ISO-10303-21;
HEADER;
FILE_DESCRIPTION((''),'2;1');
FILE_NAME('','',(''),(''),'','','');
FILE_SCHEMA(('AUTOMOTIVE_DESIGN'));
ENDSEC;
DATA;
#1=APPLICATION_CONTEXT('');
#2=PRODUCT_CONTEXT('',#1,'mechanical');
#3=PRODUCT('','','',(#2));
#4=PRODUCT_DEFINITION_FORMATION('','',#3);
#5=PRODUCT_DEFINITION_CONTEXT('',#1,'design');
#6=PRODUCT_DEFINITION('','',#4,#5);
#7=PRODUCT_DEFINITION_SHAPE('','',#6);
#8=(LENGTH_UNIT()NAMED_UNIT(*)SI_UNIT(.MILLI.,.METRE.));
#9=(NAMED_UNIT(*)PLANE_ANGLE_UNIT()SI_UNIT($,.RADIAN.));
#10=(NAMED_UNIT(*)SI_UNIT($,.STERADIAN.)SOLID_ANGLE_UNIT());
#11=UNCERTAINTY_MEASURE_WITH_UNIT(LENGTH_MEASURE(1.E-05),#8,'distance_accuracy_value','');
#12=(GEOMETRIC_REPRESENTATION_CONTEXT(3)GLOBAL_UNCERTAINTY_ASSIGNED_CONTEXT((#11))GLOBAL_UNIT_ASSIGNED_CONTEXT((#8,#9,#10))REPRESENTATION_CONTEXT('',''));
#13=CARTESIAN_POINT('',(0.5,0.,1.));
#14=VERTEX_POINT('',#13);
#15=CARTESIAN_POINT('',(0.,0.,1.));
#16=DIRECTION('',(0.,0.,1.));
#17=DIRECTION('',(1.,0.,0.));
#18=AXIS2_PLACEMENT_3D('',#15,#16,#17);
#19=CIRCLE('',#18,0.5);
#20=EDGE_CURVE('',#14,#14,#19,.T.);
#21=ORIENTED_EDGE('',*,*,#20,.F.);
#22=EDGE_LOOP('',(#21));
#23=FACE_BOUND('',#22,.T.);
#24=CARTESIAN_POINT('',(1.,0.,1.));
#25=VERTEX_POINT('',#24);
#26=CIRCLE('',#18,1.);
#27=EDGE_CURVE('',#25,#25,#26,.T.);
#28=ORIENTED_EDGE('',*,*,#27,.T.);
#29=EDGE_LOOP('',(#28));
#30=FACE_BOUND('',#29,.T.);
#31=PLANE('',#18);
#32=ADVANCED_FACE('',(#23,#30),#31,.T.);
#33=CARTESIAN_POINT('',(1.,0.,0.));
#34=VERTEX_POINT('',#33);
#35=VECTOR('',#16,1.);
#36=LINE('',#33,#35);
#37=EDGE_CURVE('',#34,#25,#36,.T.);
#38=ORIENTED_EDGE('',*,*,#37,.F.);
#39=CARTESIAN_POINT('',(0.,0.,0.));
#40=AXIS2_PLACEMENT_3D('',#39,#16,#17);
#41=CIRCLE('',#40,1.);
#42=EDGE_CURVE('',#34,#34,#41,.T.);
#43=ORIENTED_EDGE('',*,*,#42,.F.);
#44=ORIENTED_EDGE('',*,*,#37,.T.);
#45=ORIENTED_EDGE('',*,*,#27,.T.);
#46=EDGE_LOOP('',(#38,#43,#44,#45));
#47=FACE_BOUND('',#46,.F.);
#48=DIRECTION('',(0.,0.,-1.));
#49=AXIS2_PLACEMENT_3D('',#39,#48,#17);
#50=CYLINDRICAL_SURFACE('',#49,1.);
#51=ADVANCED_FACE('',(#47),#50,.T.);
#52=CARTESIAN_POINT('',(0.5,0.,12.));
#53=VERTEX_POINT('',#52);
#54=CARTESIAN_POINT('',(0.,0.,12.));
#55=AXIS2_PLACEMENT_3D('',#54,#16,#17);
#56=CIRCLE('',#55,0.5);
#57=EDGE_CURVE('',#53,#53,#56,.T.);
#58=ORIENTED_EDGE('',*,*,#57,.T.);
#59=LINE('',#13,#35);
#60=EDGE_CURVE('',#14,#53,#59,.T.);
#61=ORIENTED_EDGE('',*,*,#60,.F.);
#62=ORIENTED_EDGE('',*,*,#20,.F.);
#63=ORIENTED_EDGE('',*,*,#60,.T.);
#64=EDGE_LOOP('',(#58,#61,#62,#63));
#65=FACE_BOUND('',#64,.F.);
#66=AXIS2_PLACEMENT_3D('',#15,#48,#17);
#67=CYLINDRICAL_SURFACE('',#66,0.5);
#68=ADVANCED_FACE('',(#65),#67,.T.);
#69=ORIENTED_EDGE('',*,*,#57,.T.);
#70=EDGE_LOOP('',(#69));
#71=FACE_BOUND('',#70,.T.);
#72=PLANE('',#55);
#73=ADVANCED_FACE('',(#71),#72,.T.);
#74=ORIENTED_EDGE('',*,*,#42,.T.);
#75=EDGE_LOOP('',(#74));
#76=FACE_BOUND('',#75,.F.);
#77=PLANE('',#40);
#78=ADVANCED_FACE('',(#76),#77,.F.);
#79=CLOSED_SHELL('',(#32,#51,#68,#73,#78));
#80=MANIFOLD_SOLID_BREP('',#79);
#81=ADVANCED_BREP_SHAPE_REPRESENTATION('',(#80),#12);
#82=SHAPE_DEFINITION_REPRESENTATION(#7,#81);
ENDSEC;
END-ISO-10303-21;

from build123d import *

# Parameters (mm, degrees)
SKETCH_R     = 1
PAD_DEPTH    = 1
SKETCH001_R  = 0.5
PAD001_DEPTH = 11


with BuildPart() as part:
    # Sketch → Pad (new body)
    with BuildSketch(Plane.XY):
        Circle(SKETCH_R)
    extrude(amount=PAD_DEPTH)

    # Sketch001 (on Face3 of Pad) → Pad001 (join)
    with BuildSketch(Plane.XY.offset(1)):
        Circle(SKETCH001_R)
    extrude(amount=PAD001_DEPTH)


solid = part.part
